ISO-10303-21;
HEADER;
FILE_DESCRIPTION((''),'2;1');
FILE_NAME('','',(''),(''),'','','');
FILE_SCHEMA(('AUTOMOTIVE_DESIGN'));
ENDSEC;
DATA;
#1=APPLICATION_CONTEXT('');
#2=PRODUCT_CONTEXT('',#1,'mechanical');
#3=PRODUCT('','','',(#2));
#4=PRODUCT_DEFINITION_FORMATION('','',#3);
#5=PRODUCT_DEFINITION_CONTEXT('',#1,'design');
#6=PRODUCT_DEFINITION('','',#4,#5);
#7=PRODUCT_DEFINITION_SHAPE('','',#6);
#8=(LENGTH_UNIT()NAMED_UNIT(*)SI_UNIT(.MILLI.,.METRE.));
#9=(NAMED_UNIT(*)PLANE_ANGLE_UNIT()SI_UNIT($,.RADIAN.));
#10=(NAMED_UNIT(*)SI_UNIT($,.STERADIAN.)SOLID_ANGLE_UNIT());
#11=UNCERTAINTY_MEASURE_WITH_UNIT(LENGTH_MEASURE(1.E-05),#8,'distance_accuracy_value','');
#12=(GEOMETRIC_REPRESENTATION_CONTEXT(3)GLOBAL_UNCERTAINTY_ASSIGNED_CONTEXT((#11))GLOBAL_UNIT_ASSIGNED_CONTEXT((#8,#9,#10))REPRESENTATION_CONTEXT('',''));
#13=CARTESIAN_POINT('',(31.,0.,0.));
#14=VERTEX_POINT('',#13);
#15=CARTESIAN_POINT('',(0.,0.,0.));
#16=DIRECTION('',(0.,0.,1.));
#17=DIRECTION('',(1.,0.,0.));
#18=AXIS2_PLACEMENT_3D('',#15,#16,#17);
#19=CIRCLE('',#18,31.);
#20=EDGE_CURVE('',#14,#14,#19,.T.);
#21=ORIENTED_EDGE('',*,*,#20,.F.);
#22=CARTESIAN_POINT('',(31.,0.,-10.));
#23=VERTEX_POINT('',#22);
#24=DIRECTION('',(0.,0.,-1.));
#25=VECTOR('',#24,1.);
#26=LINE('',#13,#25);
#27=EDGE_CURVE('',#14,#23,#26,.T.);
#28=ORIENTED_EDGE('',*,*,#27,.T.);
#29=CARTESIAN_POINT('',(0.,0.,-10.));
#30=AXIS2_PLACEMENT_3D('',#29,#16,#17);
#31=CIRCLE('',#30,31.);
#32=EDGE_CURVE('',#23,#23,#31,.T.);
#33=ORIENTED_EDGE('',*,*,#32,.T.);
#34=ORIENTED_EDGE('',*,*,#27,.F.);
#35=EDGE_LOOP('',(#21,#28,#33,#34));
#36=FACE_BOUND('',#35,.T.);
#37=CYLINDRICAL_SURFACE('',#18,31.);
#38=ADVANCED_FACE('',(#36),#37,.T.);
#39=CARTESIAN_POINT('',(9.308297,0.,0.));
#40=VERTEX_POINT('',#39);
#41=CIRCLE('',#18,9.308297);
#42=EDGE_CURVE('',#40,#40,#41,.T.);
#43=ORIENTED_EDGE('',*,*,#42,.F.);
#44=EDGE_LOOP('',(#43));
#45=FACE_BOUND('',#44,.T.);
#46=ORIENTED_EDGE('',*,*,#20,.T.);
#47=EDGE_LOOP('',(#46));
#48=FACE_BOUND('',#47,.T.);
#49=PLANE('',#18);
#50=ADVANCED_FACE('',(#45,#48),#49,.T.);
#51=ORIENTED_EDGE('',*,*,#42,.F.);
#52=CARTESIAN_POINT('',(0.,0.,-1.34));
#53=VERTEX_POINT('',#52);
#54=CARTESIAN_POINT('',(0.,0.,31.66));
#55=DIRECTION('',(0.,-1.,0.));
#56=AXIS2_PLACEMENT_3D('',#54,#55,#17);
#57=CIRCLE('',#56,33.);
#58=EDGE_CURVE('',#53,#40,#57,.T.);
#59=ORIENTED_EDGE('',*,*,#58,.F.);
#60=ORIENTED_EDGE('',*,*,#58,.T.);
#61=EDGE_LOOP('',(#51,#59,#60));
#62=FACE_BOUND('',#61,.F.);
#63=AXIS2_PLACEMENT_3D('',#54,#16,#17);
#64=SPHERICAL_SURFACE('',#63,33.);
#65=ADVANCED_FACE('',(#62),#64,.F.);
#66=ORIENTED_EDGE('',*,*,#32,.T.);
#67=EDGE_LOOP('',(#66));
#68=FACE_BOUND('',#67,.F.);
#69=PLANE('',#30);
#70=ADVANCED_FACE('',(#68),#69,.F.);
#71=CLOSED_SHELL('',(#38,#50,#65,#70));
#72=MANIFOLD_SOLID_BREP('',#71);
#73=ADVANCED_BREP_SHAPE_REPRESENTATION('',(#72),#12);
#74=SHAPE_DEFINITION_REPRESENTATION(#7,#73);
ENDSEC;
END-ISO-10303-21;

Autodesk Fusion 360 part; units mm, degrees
sketch "Sketch1" plane through (0, 0, 0) normal (0, 0, 1) x (1, 0, 0)
  circle A0 centre (0, 0) radius 31
  dimension "d1" = 62
extrude "Extrude1" add sketch "Sketch1" against normal blind 10
ref_plane "WorkPlane1" through (0, 0, -1.34) normal (0, 0, 1) x (1, 0, 0)
ref_plane "WorkPlane2" through (0, 0, 31.66) normal (0, 0, 1) x (1, 0, 0)
sketch "Sketch2" plane through (0, 0, 31.66) normal (0, 0, 1) x (1, 0, 0)
  circle A0 centre (0, 0) radius 33
  dimension "d8" = 66
sphere "SpherePrimitive1" cut diameter 66 placed x (1, 0, 0) y (0, 1, 0) z (0, 0, 1) at (0, 0, 31.66)
